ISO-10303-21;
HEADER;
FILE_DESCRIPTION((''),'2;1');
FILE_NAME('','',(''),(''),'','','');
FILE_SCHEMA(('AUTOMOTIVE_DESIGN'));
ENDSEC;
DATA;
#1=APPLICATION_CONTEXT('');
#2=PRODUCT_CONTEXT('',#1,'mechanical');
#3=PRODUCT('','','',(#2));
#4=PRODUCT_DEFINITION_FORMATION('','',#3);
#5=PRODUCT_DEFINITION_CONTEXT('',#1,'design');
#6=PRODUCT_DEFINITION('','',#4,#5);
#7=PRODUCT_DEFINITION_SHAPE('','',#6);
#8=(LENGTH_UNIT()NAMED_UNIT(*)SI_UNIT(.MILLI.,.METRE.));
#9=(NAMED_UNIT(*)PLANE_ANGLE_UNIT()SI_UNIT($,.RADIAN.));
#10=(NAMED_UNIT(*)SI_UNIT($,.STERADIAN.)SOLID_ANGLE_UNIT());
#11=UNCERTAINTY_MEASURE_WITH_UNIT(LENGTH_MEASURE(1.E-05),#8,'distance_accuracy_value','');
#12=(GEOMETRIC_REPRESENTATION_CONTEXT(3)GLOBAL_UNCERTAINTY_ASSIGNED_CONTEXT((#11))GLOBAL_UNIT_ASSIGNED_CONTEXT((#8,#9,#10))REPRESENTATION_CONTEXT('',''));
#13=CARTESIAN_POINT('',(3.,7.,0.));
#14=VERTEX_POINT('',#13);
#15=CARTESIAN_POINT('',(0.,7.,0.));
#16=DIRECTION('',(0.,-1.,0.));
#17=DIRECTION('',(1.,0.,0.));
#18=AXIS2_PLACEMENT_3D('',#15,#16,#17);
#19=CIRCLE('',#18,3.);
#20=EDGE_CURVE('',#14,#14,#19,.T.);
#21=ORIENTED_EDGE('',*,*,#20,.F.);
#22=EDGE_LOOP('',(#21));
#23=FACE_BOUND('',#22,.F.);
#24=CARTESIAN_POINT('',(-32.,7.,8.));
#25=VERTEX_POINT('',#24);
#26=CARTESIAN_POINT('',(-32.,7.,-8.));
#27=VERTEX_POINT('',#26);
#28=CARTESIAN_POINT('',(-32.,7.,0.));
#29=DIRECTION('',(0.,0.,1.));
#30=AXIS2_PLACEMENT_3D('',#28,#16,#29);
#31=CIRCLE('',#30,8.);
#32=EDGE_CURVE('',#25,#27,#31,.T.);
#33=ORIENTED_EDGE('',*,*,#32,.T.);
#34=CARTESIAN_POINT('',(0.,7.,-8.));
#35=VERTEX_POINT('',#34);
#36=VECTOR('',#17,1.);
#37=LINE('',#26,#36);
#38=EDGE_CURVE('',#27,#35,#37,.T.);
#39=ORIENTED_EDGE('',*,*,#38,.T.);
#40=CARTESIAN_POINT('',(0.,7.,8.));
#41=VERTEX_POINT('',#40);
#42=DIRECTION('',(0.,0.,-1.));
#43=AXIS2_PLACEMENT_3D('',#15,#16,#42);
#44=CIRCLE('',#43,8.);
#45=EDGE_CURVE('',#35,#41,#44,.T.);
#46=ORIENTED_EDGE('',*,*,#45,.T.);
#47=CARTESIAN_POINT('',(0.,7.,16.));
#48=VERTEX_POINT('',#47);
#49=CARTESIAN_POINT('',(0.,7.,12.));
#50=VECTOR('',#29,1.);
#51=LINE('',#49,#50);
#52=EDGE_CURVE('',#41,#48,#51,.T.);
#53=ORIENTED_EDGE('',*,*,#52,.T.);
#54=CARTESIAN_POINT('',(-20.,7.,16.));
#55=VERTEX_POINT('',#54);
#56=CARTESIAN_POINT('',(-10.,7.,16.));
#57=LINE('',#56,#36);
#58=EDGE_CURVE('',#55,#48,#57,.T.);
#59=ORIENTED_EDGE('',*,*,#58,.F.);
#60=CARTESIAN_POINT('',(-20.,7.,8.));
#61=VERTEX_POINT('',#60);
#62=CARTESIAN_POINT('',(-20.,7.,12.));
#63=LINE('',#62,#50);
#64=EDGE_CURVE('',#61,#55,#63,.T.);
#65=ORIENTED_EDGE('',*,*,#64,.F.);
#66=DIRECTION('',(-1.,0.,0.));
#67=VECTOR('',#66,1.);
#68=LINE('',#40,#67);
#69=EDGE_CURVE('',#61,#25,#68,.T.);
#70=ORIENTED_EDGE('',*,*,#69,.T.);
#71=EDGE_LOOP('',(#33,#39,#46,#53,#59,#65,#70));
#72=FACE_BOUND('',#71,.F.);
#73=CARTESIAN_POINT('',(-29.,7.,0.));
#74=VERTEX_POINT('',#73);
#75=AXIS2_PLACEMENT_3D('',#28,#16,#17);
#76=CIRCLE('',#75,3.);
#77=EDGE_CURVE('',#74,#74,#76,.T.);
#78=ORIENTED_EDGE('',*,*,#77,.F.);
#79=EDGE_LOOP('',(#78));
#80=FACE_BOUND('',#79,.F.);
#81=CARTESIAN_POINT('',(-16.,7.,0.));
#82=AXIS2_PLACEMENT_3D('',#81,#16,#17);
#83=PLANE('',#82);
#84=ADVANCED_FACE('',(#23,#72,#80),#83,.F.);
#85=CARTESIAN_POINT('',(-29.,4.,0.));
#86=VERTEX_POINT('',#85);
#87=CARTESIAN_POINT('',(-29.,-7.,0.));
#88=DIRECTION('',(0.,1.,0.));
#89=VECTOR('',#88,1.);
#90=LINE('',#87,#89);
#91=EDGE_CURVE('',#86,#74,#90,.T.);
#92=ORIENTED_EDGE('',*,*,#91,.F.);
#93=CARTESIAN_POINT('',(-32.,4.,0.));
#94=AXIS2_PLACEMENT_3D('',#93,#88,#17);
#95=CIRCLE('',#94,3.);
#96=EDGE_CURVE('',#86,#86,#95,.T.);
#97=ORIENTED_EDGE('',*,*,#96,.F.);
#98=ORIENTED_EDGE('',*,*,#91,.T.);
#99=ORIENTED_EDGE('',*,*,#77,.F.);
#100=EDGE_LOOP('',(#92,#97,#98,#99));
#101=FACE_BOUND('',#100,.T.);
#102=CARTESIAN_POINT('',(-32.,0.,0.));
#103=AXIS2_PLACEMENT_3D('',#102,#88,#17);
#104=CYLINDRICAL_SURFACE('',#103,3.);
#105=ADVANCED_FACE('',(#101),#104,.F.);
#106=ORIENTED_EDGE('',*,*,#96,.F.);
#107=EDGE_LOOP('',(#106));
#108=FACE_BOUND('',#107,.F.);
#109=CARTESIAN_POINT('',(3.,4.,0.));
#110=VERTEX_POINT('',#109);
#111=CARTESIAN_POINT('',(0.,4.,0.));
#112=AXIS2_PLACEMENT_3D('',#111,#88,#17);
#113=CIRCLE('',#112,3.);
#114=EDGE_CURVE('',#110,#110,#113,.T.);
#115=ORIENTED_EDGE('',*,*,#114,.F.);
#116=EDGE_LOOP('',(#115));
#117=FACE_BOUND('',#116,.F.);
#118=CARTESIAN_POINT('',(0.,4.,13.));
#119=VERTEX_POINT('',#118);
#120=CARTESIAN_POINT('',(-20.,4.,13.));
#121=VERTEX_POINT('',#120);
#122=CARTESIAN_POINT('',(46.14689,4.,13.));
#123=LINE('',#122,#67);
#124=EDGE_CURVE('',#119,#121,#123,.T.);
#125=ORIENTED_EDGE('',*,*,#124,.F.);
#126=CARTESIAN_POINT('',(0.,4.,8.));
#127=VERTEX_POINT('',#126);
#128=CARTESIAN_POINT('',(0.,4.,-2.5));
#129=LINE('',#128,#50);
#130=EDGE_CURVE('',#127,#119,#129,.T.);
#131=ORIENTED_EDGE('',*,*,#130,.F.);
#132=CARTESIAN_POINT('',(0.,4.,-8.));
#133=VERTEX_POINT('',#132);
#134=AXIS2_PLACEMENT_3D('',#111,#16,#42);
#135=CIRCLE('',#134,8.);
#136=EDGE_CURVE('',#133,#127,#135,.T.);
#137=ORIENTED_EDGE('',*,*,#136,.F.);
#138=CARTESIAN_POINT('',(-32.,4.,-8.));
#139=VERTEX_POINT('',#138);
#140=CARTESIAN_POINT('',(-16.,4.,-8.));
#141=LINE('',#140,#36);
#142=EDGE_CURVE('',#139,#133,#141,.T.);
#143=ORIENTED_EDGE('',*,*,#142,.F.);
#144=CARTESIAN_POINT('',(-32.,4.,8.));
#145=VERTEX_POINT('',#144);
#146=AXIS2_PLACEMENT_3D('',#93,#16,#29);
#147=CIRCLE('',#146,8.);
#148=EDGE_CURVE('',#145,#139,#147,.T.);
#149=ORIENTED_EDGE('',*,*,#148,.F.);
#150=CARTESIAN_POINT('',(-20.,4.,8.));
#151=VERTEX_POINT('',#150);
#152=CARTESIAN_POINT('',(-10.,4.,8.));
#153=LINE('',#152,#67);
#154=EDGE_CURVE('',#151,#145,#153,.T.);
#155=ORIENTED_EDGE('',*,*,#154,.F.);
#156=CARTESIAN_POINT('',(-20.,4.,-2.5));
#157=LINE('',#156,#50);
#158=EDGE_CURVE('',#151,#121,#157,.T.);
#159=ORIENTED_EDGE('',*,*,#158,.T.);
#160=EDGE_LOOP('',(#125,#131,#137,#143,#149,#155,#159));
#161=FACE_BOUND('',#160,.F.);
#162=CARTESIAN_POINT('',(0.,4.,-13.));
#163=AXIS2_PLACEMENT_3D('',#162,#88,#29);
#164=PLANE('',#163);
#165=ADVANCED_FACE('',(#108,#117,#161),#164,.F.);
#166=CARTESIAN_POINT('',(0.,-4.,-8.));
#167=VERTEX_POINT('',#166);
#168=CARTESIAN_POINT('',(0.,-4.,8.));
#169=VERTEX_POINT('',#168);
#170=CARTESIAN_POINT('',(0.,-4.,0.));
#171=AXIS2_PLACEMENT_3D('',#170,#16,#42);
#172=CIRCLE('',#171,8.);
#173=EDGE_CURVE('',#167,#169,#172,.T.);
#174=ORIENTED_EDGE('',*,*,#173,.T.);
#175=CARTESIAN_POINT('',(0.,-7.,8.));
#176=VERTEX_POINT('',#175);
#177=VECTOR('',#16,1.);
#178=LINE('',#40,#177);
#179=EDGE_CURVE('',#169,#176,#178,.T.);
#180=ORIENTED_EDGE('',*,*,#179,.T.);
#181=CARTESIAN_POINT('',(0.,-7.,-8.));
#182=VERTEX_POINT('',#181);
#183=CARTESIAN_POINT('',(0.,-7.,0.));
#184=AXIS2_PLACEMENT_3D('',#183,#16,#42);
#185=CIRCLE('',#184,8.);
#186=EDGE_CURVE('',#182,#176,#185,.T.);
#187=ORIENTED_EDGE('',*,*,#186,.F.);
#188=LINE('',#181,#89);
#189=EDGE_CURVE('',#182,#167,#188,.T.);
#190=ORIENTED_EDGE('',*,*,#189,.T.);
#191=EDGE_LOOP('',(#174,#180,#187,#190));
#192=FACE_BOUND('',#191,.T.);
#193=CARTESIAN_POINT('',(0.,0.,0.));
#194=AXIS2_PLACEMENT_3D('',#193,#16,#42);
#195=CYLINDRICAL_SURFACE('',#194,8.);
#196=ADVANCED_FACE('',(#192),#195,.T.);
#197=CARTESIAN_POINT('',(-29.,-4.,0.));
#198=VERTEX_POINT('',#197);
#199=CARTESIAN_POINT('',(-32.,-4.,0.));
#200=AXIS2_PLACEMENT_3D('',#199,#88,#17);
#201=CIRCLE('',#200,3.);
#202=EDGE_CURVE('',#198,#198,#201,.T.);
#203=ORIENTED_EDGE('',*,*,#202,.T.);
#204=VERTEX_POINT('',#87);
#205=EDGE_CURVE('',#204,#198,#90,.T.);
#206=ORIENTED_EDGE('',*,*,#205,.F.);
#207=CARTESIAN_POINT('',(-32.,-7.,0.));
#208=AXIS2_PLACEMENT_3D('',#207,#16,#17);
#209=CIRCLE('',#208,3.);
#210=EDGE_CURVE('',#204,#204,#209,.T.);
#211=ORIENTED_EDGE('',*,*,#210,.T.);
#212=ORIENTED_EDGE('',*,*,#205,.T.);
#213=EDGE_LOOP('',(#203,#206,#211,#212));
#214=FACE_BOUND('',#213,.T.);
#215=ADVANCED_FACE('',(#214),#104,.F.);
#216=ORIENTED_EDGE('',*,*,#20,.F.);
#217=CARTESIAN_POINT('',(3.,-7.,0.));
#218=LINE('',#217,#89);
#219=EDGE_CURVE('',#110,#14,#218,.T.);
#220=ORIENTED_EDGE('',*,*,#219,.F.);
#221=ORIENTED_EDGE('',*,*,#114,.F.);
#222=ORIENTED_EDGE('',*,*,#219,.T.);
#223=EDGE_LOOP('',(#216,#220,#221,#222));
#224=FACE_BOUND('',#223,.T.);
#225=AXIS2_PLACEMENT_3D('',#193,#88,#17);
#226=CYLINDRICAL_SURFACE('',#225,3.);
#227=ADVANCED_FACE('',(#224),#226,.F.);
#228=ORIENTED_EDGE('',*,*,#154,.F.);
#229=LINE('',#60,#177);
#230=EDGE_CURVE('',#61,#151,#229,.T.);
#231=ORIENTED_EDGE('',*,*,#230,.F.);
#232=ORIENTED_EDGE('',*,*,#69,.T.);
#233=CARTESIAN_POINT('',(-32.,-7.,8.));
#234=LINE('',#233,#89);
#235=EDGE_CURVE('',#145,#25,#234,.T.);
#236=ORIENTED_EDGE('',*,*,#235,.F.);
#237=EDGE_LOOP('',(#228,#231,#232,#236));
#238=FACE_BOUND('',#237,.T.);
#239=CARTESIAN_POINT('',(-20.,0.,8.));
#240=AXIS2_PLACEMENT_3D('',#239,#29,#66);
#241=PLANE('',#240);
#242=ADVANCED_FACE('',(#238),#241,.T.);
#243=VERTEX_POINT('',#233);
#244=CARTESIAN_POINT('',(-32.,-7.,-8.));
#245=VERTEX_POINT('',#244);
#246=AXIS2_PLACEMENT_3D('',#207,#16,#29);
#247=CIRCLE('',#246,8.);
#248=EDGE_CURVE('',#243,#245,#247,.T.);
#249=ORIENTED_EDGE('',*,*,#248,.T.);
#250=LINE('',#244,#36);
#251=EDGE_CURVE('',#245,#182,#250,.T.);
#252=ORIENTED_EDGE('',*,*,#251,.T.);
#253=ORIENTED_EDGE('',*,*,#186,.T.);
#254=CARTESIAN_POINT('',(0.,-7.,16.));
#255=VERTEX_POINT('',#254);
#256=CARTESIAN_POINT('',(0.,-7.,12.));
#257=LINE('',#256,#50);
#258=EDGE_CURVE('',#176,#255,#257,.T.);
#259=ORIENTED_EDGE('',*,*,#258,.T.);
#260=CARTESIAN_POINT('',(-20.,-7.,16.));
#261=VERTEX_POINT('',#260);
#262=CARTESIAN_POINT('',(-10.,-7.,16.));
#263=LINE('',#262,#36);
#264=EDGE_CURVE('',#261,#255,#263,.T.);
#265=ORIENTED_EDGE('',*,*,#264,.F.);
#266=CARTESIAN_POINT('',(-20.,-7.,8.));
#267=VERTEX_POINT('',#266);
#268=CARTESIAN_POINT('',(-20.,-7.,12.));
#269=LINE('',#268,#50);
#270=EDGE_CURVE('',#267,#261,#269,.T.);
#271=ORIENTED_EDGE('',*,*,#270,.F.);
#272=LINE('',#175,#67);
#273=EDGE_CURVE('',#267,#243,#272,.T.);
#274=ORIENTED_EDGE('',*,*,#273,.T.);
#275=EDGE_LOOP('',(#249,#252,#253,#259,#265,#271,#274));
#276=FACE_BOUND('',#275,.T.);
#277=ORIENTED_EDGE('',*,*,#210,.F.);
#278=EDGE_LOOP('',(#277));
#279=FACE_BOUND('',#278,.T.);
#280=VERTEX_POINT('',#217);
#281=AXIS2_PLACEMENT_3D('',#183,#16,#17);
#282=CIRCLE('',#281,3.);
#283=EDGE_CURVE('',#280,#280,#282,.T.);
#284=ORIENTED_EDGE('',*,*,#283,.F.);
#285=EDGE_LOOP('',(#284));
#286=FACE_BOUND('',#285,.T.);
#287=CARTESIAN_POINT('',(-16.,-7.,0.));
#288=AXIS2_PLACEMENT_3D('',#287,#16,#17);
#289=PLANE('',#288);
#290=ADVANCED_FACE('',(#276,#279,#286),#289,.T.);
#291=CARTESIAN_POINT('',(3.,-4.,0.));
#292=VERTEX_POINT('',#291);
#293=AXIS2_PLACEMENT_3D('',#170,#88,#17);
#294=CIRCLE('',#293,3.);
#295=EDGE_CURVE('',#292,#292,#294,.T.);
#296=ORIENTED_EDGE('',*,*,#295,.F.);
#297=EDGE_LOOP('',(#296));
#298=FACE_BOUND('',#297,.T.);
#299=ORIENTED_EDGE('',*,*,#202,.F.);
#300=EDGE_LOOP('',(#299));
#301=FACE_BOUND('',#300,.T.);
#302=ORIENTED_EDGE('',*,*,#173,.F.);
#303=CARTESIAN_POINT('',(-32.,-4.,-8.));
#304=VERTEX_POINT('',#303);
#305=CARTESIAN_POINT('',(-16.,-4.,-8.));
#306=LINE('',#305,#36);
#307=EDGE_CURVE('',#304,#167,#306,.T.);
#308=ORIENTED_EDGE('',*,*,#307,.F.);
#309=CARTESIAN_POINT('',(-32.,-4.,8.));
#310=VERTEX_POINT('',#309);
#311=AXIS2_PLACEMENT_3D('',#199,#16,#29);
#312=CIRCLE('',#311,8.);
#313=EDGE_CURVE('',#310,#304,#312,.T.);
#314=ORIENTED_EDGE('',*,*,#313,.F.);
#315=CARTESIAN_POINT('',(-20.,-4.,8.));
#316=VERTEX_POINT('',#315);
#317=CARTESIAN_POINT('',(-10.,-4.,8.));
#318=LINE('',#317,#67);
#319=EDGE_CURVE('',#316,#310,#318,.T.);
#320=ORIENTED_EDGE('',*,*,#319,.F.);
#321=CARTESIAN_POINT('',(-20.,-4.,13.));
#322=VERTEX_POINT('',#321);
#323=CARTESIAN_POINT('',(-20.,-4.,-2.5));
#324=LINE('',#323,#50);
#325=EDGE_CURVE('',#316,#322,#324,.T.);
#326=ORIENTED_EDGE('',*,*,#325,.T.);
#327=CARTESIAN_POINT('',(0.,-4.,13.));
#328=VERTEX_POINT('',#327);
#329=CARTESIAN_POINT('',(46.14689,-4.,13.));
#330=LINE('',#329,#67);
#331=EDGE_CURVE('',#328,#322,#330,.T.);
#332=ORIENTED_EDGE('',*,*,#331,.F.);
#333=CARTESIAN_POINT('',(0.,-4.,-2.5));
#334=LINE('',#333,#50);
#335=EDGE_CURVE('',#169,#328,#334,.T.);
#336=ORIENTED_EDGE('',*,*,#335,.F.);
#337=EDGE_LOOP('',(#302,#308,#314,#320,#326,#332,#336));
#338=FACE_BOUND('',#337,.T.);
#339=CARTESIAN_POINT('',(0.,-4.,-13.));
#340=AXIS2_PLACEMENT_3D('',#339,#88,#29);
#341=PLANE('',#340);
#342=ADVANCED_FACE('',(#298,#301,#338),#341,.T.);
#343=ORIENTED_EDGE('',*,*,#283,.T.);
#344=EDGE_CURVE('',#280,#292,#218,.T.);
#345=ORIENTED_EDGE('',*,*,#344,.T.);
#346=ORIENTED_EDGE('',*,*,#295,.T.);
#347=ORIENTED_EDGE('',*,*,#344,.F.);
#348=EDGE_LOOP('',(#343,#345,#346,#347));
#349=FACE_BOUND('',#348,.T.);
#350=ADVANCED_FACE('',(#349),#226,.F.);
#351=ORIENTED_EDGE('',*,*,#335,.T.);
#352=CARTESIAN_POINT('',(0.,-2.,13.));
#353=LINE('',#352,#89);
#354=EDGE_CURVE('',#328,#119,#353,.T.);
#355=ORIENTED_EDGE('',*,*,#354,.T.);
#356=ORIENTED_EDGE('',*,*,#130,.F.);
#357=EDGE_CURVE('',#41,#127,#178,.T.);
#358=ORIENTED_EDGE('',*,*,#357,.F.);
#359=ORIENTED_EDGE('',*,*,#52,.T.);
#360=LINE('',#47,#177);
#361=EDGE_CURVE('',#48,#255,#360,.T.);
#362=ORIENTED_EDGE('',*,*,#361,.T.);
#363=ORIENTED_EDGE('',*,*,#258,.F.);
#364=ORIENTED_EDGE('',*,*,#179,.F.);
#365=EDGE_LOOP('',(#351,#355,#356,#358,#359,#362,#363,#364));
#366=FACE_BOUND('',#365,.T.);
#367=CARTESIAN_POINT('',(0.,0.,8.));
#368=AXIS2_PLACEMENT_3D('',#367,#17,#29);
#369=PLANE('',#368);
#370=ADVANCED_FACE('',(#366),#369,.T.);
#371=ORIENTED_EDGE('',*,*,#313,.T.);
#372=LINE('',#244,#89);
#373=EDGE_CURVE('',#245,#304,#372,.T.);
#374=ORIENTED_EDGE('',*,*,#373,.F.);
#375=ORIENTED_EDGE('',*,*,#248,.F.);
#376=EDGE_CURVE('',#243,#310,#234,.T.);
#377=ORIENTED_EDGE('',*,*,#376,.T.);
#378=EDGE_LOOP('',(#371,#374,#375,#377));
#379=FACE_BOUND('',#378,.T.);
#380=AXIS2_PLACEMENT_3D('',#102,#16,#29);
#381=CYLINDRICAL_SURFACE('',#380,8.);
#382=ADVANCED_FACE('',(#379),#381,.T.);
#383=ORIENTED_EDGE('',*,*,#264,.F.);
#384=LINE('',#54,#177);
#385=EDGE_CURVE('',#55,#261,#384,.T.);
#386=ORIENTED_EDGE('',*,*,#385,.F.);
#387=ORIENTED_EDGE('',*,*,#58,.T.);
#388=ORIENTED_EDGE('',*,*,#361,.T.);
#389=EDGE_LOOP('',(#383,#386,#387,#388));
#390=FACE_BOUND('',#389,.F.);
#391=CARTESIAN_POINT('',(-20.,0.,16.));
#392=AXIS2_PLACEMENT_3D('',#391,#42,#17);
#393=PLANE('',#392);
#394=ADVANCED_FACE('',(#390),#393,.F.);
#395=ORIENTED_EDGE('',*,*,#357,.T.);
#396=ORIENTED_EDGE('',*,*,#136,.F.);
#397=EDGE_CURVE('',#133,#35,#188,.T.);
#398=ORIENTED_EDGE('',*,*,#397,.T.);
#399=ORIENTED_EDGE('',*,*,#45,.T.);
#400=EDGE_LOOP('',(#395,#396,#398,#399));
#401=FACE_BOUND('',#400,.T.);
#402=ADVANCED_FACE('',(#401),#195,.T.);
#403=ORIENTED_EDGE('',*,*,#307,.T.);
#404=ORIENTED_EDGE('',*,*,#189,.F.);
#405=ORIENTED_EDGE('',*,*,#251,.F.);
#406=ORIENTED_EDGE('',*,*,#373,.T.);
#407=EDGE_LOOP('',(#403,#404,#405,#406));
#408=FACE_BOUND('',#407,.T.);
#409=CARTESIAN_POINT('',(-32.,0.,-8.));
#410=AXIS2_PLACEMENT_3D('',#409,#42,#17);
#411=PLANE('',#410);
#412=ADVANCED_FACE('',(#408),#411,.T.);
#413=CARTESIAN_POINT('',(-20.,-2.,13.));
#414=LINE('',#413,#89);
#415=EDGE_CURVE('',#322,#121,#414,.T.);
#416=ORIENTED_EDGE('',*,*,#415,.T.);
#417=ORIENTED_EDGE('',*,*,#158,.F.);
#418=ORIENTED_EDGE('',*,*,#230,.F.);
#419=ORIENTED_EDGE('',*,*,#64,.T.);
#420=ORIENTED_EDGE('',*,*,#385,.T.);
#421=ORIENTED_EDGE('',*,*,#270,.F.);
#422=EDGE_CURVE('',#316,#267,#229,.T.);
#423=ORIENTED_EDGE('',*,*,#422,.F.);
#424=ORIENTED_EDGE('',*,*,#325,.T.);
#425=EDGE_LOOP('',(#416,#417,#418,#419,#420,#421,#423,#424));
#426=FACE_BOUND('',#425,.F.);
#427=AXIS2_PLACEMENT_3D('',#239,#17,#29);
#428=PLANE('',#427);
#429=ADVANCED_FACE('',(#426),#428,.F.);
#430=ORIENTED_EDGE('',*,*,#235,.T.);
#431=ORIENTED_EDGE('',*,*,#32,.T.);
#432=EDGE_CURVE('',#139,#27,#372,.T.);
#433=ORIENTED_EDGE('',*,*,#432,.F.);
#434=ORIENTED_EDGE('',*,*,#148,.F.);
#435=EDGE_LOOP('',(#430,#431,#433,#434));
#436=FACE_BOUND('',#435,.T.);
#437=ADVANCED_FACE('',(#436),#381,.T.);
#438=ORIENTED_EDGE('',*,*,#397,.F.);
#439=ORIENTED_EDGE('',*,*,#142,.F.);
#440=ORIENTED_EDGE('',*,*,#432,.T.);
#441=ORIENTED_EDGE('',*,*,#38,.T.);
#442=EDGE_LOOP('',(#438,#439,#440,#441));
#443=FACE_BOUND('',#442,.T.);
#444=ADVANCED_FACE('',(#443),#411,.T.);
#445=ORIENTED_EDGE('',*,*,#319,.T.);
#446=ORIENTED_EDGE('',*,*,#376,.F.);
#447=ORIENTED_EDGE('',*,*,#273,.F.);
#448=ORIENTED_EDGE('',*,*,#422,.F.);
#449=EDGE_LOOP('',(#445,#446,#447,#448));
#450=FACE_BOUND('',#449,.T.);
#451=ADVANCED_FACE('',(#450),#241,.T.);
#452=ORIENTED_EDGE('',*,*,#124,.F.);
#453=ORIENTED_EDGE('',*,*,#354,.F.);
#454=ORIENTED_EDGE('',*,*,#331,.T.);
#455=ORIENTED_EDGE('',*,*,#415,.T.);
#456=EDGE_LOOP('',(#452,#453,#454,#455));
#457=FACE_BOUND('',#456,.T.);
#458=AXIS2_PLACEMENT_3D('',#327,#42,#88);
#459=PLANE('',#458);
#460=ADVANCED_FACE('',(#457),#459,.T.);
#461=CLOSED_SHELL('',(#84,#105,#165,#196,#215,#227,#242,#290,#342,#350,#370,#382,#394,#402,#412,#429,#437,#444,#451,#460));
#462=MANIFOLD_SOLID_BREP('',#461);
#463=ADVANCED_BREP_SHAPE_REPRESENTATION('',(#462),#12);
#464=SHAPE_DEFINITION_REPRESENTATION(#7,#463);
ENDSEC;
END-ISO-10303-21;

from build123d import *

# Parameters (mm, degrees)
F0_R     = 3
F0_W     = 20
F0_H     = 8
F1_DEPTH = 7
F2_W     = 8
F2_H     = 26
F3_DEPTH = 46.14689


with BuildPart() as f1:
    # F0 (on Front) → F1 (new body, symmetric)
    with BuildSketch(Plane.XZ):
        with BuildLine():
            ThreePointArc((0, -8), (8, 0), (0, 8))
            Line((0, 8), (-20, 8))
            Line((-20, 8), (-32, 8))
            ThreePointArc((-32, 8), (-40, 0), (-32, -8))
            Line((-32, -8), (0, -8))
        make_face()
        with Locations((-32, 0)):
            Circle(F0_R, mode=Mode.SUBTRACT)
        Circle(F0_R, mode=Mode.SUBTRACT)
        with Locations((-10, 12)):
            Rectangle(F0_W, F0_H)
    extrude(amount=F1_DEPTH, both=True)

    # F2 (on Right) → F3 (cut, symmetric)
    with BuildSketch(Plane.YZ):
        Rectangle(F2_W, F2_H)
    extrude(amount=F3_DEPTH, both=True, mode=Mode.SUBTRACT)


solid = f1.part
